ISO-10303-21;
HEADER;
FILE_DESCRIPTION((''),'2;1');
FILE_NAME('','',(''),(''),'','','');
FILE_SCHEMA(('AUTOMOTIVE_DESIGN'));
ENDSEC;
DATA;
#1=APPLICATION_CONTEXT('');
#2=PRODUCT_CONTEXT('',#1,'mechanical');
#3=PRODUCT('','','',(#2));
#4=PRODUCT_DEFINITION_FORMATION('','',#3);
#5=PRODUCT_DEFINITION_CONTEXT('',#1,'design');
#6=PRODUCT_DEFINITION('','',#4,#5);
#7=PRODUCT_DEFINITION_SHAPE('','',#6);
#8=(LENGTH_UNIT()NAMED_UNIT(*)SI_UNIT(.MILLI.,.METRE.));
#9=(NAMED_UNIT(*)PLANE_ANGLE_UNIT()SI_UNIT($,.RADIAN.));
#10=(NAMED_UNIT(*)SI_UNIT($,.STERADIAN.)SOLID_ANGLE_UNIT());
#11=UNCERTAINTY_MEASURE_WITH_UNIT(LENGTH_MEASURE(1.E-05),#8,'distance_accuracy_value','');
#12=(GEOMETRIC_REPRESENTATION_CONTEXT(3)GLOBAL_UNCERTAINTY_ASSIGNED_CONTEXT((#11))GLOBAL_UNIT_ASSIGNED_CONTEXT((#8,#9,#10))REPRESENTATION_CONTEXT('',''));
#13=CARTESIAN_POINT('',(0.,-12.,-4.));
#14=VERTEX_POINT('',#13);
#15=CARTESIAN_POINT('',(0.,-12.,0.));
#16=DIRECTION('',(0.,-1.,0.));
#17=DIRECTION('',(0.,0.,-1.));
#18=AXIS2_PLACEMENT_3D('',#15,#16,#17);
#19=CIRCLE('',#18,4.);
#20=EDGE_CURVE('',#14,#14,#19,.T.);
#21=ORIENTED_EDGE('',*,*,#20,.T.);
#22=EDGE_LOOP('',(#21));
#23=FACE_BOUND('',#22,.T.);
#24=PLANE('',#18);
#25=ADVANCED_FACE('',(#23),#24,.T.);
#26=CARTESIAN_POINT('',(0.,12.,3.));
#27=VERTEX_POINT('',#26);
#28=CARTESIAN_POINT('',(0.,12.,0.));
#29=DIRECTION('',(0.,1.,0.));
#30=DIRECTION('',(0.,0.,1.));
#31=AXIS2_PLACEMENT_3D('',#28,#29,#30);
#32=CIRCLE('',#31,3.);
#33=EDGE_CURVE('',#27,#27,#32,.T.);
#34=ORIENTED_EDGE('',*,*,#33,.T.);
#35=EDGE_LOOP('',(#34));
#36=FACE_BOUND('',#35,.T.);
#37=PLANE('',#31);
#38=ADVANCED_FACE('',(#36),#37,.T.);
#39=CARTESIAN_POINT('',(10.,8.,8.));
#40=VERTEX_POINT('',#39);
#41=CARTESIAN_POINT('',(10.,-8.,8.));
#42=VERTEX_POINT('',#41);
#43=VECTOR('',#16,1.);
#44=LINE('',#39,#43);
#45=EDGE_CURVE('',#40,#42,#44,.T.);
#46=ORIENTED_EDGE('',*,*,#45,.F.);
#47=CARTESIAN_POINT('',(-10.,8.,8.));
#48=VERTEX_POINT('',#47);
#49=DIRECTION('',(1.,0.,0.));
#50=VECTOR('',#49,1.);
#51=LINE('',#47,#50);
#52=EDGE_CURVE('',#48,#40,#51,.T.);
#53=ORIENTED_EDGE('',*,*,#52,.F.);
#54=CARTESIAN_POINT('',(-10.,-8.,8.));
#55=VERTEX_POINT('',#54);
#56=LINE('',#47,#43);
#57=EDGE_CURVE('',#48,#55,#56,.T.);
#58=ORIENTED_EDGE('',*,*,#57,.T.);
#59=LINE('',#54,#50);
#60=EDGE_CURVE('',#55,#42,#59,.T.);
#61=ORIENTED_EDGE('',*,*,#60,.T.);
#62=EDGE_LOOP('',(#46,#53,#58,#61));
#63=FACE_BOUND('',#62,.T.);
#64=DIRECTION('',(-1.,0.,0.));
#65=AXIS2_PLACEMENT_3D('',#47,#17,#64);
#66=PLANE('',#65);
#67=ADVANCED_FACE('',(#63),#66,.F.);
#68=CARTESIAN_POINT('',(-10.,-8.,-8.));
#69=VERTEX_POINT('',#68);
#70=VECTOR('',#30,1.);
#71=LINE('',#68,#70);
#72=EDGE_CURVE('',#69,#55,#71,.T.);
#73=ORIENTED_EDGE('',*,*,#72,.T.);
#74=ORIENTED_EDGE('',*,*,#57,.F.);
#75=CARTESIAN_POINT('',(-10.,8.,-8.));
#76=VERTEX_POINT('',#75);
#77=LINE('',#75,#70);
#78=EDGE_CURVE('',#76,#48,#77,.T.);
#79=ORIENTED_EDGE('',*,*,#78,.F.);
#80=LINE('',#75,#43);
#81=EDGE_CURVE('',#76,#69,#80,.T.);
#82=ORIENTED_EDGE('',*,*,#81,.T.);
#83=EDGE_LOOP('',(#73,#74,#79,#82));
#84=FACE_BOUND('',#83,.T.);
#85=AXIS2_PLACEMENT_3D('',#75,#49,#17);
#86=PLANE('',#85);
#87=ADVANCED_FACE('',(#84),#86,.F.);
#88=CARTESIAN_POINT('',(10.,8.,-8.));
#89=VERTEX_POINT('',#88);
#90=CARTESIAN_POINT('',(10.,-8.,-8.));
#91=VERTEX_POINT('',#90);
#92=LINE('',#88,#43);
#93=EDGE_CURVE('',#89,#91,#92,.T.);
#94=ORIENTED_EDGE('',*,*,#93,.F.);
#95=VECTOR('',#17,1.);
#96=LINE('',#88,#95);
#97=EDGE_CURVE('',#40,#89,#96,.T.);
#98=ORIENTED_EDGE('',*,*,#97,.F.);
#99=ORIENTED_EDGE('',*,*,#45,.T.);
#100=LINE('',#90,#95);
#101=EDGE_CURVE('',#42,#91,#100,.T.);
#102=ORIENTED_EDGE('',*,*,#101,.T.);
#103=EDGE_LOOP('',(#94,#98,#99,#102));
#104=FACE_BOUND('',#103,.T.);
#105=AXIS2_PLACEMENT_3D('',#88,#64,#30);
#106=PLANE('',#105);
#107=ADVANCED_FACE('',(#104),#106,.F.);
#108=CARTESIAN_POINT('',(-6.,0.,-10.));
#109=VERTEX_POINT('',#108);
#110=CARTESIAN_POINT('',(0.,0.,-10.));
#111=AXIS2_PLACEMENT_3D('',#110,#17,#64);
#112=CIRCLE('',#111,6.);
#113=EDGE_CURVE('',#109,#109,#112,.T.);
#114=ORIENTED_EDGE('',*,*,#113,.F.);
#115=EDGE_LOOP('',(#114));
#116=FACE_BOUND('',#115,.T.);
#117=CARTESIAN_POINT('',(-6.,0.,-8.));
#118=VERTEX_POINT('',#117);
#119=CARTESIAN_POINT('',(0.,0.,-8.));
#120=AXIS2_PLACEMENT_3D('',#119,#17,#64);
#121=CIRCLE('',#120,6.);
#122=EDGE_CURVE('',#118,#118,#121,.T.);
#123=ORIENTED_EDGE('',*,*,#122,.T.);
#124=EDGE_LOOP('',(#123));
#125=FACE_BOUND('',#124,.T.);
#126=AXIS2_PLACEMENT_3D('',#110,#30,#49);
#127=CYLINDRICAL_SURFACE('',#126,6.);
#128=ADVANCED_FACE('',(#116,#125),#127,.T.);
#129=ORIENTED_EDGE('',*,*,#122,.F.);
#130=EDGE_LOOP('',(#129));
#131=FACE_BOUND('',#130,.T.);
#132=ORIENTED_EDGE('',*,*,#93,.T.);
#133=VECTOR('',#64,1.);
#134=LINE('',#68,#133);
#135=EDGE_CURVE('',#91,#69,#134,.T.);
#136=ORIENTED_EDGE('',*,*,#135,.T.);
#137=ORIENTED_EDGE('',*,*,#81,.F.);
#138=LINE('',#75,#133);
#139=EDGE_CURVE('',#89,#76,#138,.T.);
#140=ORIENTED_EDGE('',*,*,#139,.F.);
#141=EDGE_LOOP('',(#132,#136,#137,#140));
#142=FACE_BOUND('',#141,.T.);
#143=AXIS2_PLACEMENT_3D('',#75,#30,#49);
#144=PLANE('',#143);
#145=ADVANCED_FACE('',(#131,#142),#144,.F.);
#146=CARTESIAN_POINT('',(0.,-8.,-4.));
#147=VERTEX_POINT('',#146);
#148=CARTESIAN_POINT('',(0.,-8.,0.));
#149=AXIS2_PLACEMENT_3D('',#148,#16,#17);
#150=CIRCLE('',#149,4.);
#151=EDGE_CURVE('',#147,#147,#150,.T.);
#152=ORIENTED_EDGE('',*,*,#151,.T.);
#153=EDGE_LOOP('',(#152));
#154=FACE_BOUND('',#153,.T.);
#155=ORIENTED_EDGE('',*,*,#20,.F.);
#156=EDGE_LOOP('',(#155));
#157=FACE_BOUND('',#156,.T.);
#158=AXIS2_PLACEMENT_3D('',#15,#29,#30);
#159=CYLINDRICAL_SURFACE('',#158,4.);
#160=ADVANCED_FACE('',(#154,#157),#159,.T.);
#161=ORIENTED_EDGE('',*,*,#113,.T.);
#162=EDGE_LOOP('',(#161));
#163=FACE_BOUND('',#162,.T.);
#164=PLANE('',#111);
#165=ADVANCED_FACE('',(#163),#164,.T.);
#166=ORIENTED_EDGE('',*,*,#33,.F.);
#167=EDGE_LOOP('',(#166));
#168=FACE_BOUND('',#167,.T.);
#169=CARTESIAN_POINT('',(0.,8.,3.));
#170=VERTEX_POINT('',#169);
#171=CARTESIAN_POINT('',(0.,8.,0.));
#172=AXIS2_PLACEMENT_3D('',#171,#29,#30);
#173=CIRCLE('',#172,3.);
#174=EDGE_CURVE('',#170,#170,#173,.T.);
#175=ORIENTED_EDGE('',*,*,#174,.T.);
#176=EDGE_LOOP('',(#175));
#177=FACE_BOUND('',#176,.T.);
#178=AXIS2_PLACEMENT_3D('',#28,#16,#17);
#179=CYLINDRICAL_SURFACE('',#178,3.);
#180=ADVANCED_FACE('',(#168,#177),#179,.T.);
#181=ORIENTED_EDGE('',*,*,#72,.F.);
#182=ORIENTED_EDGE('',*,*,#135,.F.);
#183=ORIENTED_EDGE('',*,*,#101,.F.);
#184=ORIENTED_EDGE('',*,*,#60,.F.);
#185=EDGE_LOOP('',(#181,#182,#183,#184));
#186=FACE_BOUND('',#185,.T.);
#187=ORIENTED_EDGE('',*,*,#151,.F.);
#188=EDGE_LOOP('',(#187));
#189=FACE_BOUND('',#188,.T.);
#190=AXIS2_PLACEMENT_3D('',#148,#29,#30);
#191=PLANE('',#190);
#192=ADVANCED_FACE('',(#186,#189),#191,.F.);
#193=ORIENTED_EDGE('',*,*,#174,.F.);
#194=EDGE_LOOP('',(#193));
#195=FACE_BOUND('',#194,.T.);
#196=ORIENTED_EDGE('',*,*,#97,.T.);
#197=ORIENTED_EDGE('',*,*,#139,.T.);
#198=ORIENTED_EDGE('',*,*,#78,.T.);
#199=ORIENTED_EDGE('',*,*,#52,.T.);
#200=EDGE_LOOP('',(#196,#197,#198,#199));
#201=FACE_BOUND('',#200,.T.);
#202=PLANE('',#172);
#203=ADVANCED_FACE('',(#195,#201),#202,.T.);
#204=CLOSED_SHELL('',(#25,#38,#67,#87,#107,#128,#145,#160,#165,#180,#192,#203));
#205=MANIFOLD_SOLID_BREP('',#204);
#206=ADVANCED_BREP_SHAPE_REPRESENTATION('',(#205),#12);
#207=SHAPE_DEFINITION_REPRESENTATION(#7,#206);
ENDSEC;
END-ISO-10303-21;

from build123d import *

# Parameters (mm, degrees)
SKETCH_1_W      = 20
SKETCH_1_H      = 16
EXTRUDE_1_DEPTH = 8
SKETCH_2_R      = 6
EXTRUDE_2_DEPTH = 2
SKETCH_3_R      = 4
EXTRUDE_3_DEPTH = 4
SKETCH_4_R      = 3
EXTRUDE_4_DEPTH = 4


with BuildPart() as part:
    # 草图1 → 凸台-拉伸1 (new body, symmetric)
    with BuildSketch(Plane(origin=(0, 0, 0), x_dir=(1, 0, 0), z_dir=(0, 1, 0))):
        Rectangle(SKETCH_1_W, SKETCH_1_H)
    extrude(amount=EXTRUDE_1_DEPTH, both=True)

    # 草图2 → 凸台-拉伸2 (add)
    with BuildSketch(Plane(origin=(0, 0, -8), x_dir=(-1, 0, 0), z_dir=(0, 0, -1))):
        Circle(SKETCH_2_R)
    extrude(amount=EXTRUDE_2_DEPTH)

    # 草图3 → 凸台-拉伸3 (add)
    with BuildSketch(Plane.XZ.offset(8)):
        Circle(SKETCH_3_R)
    extrude(amount=EXTRUDE_3_DEPTH)

    # 草图4 → 凸台-拉伸4 (add)
    with BuildSketch(Plane(origin=(0, 8, 0), x_dir=(1, 0, 0), z_dir=(0, 1, 0))):
        Circle(SKETCH_4_R)
    extrude(amount=EXTRUDE_4_DEPTH)


solid = part.part
